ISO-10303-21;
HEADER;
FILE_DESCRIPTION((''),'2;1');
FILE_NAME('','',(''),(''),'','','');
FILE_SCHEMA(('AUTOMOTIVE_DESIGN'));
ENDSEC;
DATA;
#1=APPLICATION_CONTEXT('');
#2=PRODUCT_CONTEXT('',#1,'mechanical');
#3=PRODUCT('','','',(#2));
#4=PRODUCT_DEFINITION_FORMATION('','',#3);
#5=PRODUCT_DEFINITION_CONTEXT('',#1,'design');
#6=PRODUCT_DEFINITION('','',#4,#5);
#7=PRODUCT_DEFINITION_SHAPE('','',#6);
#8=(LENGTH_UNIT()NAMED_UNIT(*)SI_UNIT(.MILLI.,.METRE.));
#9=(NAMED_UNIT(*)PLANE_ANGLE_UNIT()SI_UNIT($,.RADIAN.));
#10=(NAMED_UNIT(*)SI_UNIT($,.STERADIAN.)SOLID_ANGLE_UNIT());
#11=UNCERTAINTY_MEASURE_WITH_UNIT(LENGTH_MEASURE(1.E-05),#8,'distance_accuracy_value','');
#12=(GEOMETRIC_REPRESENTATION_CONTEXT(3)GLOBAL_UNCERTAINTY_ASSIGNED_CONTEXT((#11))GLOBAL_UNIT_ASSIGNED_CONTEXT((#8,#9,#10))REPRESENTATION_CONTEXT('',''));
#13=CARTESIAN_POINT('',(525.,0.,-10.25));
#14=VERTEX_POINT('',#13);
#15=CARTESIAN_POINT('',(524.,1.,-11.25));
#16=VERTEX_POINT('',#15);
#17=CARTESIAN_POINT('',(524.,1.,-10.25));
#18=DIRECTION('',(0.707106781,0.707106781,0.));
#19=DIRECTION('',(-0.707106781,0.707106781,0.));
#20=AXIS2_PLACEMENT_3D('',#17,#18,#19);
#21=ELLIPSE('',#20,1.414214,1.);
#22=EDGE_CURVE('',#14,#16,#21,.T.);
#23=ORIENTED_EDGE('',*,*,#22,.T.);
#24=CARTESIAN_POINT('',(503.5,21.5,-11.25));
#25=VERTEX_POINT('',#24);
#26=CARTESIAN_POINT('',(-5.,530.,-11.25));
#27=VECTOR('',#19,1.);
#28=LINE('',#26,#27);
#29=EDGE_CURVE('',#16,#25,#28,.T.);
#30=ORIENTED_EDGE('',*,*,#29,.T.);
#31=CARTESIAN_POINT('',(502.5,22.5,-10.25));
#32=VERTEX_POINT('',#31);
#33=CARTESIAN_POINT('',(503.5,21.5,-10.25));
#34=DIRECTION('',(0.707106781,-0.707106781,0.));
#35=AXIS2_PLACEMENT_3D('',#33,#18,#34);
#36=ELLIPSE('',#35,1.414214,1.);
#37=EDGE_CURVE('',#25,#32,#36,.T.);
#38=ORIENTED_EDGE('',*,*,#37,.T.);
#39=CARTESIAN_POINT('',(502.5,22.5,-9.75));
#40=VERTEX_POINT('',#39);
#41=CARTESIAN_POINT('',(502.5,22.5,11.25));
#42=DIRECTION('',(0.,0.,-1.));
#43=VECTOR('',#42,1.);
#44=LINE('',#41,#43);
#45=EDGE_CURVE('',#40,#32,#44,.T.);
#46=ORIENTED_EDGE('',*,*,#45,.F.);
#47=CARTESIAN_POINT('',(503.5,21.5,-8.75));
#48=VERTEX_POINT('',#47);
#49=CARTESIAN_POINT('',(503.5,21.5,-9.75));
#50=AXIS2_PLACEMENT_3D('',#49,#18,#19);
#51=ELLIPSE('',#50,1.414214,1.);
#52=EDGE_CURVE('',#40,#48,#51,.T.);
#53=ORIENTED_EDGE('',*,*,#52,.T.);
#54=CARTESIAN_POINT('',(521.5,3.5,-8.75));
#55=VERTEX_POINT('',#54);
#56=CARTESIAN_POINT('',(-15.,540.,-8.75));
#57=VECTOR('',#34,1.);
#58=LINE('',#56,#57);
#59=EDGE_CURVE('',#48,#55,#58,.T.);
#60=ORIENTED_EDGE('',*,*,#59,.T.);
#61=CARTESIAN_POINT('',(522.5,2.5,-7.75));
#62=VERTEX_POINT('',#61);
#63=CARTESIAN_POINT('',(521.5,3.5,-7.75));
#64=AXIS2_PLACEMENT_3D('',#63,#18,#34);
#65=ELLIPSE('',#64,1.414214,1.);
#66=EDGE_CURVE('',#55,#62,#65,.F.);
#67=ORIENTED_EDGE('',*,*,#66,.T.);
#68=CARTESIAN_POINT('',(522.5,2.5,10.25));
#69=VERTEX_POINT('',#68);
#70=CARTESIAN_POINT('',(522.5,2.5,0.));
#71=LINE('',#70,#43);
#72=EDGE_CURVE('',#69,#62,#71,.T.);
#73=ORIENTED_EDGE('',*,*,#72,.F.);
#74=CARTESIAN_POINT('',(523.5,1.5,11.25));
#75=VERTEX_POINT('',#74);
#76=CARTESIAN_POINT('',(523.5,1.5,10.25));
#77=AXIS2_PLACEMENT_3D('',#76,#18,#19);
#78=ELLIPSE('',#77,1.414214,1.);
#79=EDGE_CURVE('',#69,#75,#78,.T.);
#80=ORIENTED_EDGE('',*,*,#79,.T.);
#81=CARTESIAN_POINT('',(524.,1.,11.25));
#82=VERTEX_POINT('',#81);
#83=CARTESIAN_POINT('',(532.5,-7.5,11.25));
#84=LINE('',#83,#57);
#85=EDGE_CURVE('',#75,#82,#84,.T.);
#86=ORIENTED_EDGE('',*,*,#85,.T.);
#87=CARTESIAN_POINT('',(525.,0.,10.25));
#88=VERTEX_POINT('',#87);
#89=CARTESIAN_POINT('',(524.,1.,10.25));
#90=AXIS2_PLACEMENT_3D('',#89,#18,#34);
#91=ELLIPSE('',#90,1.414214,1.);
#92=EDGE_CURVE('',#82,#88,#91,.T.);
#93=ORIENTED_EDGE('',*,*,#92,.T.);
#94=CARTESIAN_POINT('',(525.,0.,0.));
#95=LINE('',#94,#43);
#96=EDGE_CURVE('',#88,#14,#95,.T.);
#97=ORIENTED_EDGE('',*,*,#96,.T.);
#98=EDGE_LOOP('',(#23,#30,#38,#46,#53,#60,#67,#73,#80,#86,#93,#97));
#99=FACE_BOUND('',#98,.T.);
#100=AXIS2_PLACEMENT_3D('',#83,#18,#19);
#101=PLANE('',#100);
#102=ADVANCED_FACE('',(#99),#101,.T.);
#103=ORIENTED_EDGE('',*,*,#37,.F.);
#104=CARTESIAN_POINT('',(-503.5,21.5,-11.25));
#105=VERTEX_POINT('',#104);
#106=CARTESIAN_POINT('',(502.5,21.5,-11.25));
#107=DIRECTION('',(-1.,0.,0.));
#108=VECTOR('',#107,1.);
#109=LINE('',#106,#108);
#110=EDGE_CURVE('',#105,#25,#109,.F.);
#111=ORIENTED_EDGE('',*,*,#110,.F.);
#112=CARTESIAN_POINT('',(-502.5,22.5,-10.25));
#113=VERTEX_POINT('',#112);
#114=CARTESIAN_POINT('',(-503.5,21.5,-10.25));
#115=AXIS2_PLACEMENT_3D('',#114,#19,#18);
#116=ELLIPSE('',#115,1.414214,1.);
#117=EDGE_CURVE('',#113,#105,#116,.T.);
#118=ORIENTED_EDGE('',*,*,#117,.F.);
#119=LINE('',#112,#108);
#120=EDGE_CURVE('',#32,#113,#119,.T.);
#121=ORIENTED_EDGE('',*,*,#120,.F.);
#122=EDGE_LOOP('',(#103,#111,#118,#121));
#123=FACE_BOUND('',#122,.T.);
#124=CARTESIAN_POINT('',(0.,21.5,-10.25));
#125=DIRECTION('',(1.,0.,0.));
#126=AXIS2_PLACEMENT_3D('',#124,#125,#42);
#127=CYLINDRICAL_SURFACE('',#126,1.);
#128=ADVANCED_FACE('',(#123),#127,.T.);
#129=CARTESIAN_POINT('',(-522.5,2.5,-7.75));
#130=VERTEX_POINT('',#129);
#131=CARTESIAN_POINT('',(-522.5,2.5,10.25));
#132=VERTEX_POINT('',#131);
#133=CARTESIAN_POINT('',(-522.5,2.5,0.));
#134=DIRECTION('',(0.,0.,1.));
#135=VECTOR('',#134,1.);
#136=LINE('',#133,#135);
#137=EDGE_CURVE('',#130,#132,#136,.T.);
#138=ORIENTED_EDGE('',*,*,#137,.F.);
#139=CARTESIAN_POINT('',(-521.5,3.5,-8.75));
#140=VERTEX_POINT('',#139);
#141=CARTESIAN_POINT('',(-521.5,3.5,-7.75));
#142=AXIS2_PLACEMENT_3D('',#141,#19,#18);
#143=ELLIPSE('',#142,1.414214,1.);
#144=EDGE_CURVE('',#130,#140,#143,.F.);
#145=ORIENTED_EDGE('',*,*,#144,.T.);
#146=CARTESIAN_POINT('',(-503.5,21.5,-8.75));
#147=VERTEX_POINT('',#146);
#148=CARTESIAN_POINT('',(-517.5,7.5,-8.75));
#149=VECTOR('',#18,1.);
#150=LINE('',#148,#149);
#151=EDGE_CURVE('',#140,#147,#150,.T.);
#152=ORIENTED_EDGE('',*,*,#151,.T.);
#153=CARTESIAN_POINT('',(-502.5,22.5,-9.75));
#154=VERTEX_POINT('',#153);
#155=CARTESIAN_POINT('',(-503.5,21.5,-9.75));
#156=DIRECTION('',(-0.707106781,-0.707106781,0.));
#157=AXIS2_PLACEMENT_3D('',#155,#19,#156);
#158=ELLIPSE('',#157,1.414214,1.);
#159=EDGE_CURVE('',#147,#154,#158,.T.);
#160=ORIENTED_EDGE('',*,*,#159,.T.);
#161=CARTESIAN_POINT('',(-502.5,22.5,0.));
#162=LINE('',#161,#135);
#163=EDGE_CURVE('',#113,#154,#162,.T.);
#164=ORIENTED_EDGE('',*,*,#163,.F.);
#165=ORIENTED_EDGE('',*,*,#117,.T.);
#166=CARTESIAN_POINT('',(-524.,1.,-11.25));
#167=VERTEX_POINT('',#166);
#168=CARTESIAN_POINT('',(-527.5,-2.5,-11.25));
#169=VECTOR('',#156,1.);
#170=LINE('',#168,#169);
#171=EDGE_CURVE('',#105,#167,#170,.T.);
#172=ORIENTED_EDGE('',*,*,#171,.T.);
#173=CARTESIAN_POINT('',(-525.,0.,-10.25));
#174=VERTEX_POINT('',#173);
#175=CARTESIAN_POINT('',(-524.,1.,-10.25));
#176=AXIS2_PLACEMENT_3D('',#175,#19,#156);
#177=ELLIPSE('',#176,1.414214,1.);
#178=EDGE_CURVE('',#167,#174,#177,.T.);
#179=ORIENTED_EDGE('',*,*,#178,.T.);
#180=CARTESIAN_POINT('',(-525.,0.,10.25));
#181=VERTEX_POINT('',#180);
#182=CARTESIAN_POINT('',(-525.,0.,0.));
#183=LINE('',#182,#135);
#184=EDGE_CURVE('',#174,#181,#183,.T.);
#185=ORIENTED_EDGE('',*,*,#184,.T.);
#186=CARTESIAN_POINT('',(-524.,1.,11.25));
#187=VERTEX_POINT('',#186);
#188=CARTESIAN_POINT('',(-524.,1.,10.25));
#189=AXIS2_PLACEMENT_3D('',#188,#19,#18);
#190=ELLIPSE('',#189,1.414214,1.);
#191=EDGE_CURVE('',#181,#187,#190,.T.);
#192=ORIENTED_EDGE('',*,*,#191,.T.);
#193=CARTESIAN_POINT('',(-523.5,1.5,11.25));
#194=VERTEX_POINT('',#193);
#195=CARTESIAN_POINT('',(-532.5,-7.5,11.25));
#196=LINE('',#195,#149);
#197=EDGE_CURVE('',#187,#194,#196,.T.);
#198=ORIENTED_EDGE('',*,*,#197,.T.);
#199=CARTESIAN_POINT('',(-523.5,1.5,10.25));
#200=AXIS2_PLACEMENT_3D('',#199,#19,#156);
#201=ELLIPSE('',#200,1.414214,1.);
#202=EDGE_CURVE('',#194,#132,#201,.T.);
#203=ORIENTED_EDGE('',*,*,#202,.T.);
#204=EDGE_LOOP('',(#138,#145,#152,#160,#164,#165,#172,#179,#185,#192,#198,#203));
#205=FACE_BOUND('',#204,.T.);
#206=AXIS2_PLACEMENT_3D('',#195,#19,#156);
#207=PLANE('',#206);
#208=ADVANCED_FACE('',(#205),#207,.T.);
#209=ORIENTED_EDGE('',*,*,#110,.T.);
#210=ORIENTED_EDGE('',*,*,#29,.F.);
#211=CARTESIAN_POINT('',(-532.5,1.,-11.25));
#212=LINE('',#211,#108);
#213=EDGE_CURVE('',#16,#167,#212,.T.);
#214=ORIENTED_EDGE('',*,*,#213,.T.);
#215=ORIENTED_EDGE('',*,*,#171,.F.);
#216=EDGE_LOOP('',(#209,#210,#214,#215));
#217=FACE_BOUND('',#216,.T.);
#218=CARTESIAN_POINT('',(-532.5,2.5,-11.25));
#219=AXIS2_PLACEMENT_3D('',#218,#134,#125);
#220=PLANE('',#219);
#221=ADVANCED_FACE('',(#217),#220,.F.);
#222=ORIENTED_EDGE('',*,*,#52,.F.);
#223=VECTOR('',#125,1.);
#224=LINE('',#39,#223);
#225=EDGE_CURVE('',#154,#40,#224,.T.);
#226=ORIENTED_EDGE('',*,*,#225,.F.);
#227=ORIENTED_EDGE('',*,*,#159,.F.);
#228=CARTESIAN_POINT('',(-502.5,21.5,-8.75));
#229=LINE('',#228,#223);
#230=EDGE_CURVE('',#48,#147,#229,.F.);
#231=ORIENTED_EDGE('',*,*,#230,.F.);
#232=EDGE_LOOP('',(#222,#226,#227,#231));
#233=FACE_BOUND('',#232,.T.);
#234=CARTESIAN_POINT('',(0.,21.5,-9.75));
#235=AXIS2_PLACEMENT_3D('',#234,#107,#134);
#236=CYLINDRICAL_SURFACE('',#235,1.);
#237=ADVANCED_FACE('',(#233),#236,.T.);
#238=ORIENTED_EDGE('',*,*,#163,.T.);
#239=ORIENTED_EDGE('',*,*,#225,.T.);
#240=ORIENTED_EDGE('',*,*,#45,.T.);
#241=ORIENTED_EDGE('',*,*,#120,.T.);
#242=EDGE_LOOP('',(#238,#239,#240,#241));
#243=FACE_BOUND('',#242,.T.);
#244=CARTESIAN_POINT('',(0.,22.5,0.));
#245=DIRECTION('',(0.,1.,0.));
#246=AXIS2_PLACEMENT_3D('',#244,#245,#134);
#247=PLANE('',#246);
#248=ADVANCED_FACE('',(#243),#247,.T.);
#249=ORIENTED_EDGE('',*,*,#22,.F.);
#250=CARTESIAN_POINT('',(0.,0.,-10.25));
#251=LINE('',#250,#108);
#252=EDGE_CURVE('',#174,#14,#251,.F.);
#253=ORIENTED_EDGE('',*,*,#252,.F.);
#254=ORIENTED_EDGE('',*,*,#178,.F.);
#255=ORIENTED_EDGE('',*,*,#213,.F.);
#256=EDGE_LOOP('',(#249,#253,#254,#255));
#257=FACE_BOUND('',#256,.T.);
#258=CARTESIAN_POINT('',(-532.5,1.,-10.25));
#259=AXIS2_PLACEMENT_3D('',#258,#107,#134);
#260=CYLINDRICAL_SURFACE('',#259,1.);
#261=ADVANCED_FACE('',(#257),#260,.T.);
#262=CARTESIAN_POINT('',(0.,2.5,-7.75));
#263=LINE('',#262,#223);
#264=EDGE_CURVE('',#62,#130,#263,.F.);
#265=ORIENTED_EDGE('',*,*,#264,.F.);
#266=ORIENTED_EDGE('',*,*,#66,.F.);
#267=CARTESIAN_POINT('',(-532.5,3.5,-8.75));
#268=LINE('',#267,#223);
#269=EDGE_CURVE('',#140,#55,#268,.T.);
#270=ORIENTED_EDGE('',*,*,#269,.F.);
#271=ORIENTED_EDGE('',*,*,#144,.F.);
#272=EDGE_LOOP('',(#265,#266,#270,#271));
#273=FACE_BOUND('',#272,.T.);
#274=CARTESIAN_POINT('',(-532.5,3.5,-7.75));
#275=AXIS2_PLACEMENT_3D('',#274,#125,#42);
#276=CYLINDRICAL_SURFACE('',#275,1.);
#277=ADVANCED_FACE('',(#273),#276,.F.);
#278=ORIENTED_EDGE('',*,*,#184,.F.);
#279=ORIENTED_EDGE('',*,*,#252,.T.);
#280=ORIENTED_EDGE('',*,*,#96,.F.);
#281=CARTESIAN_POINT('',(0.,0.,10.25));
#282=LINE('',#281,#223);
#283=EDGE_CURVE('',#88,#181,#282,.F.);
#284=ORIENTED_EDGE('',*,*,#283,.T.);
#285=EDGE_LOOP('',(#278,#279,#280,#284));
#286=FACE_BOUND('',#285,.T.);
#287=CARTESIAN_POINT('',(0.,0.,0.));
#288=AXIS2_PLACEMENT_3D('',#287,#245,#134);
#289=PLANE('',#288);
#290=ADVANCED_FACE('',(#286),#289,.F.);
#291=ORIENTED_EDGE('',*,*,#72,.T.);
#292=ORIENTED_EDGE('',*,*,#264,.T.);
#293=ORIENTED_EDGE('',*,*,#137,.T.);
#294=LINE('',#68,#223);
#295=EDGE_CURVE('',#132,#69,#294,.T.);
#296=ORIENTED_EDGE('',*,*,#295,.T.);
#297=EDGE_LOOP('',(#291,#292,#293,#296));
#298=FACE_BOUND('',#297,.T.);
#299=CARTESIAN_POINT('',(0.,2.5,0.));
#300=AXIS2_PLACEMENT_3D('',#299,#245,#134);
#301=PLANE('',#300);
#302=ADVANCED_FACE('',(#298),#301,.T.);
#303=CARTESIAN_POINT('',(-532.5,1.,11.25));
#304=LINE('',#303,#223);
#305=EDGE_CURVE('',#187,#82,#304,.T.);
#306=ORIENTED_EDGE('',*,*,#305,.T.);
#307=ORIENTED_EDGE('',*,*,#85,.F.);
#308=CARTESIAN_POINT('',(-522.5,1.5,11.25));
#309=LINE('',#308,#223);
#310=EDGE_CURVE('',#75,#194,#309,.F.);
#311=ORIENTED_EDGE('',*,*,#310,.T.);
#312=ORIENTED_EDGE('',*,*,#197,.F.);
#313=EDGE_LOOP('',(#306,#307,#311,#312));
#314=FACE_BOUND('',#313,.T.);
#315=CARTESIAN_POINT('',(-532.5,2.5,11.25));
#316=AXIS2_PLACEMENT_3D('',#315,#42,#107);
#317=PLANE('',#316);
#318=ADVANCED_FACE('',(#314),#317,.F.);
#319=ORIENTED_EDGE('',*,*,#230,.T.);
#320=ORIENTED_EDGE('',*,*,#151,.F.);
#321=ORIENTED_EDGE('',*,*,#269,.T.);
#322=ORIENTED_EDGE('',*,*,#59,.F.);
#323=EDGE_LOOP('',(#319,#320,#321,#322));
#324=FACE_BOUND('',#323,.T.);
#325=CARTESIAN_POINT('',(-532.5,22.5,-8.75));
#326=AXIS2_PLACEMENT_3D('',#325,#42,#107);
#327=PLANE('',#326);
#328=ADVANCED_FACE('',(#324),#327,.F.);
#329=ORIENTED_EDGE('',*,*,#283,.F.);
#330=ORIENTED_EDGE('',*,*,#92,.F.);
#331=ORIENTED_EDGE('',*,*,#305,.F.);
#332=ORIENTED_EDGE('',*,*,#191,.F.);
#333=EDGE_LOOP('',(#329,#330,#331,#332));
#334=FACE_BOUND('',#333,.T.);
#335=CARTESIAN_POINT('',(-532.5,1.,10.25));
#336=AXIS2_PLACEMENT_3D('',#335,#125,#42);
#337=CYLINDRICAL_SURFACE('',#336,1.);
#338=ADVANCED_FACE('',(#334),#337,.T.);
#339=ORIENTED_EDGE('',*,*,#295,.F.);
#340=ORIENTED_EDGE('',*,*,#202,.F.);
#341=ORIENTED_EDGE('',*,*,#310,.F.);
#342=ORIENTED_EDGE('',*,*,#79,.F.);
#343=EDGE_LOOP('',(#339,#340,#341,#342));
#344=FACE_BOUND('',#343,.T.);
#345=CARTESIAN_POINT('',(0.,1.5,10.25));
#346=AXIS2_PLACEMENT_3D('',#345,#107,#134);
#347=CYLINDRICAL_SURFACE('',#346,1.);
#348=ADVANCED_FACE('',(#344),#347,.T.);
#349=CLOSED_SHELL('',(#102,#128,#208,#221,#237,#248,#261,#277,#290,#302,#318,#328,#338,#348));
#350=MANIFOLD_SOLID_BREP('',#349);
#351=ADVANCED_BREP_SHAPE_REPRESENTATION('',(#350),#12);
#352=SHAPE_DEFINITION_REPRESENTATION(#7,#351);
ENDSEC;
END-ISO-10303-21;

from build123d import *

# Parameters (mm, degrees)
SKETCH1_W               = 1065
SKETCH1_H               = 22.5
BOSS_EXTRUDE1_DEPTH     = 2.5
SKETCH2_W               = 1065
SKETCH2_H               = 2.5
BOSS_EXTRUDE2_DEPTH     = 20
CUT_EXTRUDE1_DEPTH      = 534.350260148
CUT_EXTRUDE1_DEPTH_BACK = 25
FILLET2_R               = 1


with BuildPart() as part:
    # Sketch1 → Boss-Extrude1 (new body)
    with BuildSketch(Plane(origin=(0, 0, 0), x_dir=(1, 0, 0), z_dir=(0, 1, 0))):
        Rectangle(SKETCH1_W, SKETCH1_H)
    extrude(amount=BOSS_EXTRUDE1_DEPTH)

    # Sketch2 → Boss-Extrude2 (add)
    with BuildSketch(Plane(origin=(0, 2.5, 0), x_dir=(1, 0, 0), z_dir=(0, 1, 0))):
        with Locations((0, 10)):
            Rectangle(SKETCH2_W, SKETCH2_H)
    extrude(amount=BOSS_EXTRUDE2_DEPTH)

    # Sketch3 → Cut-Extrude1 (cut, two sides: drawn at the far end of the back side and taken through both)
    with BuildSketch(Plane.XY.offset(-8.75).offset(-CUT_EXTRUDE1_DEPTH_BACK)):
        Polygon((-532.5, 22.5), (-532.5, -7.5), (-502.5, 22.5), align=None)
        Polygon((532.5, 22.5), (532.5, -7.5), (502.5, 22.5), align=None)
    extrude(amount=CUT_EXTRUDE1_DEPTH + CUT_EXTRUDE1_DEPTH_BACK, mode=Mode.SUBTRACT)

    # Fillet2
    fillet2_edges = [part.edges().sort_by_distance(p)[0] for p in [
        (0, 22.5, -8.75),
        (0, 2.5, -8.75),
        (0, 0, 11.25),
        (0, 2.5, 11.25),
        (0, 22.5, -11.25),
        (0, 0, -11.25),
    ]]
    fillet(fillet2_edges, radius=FILLET2_R)


solid = part.part
